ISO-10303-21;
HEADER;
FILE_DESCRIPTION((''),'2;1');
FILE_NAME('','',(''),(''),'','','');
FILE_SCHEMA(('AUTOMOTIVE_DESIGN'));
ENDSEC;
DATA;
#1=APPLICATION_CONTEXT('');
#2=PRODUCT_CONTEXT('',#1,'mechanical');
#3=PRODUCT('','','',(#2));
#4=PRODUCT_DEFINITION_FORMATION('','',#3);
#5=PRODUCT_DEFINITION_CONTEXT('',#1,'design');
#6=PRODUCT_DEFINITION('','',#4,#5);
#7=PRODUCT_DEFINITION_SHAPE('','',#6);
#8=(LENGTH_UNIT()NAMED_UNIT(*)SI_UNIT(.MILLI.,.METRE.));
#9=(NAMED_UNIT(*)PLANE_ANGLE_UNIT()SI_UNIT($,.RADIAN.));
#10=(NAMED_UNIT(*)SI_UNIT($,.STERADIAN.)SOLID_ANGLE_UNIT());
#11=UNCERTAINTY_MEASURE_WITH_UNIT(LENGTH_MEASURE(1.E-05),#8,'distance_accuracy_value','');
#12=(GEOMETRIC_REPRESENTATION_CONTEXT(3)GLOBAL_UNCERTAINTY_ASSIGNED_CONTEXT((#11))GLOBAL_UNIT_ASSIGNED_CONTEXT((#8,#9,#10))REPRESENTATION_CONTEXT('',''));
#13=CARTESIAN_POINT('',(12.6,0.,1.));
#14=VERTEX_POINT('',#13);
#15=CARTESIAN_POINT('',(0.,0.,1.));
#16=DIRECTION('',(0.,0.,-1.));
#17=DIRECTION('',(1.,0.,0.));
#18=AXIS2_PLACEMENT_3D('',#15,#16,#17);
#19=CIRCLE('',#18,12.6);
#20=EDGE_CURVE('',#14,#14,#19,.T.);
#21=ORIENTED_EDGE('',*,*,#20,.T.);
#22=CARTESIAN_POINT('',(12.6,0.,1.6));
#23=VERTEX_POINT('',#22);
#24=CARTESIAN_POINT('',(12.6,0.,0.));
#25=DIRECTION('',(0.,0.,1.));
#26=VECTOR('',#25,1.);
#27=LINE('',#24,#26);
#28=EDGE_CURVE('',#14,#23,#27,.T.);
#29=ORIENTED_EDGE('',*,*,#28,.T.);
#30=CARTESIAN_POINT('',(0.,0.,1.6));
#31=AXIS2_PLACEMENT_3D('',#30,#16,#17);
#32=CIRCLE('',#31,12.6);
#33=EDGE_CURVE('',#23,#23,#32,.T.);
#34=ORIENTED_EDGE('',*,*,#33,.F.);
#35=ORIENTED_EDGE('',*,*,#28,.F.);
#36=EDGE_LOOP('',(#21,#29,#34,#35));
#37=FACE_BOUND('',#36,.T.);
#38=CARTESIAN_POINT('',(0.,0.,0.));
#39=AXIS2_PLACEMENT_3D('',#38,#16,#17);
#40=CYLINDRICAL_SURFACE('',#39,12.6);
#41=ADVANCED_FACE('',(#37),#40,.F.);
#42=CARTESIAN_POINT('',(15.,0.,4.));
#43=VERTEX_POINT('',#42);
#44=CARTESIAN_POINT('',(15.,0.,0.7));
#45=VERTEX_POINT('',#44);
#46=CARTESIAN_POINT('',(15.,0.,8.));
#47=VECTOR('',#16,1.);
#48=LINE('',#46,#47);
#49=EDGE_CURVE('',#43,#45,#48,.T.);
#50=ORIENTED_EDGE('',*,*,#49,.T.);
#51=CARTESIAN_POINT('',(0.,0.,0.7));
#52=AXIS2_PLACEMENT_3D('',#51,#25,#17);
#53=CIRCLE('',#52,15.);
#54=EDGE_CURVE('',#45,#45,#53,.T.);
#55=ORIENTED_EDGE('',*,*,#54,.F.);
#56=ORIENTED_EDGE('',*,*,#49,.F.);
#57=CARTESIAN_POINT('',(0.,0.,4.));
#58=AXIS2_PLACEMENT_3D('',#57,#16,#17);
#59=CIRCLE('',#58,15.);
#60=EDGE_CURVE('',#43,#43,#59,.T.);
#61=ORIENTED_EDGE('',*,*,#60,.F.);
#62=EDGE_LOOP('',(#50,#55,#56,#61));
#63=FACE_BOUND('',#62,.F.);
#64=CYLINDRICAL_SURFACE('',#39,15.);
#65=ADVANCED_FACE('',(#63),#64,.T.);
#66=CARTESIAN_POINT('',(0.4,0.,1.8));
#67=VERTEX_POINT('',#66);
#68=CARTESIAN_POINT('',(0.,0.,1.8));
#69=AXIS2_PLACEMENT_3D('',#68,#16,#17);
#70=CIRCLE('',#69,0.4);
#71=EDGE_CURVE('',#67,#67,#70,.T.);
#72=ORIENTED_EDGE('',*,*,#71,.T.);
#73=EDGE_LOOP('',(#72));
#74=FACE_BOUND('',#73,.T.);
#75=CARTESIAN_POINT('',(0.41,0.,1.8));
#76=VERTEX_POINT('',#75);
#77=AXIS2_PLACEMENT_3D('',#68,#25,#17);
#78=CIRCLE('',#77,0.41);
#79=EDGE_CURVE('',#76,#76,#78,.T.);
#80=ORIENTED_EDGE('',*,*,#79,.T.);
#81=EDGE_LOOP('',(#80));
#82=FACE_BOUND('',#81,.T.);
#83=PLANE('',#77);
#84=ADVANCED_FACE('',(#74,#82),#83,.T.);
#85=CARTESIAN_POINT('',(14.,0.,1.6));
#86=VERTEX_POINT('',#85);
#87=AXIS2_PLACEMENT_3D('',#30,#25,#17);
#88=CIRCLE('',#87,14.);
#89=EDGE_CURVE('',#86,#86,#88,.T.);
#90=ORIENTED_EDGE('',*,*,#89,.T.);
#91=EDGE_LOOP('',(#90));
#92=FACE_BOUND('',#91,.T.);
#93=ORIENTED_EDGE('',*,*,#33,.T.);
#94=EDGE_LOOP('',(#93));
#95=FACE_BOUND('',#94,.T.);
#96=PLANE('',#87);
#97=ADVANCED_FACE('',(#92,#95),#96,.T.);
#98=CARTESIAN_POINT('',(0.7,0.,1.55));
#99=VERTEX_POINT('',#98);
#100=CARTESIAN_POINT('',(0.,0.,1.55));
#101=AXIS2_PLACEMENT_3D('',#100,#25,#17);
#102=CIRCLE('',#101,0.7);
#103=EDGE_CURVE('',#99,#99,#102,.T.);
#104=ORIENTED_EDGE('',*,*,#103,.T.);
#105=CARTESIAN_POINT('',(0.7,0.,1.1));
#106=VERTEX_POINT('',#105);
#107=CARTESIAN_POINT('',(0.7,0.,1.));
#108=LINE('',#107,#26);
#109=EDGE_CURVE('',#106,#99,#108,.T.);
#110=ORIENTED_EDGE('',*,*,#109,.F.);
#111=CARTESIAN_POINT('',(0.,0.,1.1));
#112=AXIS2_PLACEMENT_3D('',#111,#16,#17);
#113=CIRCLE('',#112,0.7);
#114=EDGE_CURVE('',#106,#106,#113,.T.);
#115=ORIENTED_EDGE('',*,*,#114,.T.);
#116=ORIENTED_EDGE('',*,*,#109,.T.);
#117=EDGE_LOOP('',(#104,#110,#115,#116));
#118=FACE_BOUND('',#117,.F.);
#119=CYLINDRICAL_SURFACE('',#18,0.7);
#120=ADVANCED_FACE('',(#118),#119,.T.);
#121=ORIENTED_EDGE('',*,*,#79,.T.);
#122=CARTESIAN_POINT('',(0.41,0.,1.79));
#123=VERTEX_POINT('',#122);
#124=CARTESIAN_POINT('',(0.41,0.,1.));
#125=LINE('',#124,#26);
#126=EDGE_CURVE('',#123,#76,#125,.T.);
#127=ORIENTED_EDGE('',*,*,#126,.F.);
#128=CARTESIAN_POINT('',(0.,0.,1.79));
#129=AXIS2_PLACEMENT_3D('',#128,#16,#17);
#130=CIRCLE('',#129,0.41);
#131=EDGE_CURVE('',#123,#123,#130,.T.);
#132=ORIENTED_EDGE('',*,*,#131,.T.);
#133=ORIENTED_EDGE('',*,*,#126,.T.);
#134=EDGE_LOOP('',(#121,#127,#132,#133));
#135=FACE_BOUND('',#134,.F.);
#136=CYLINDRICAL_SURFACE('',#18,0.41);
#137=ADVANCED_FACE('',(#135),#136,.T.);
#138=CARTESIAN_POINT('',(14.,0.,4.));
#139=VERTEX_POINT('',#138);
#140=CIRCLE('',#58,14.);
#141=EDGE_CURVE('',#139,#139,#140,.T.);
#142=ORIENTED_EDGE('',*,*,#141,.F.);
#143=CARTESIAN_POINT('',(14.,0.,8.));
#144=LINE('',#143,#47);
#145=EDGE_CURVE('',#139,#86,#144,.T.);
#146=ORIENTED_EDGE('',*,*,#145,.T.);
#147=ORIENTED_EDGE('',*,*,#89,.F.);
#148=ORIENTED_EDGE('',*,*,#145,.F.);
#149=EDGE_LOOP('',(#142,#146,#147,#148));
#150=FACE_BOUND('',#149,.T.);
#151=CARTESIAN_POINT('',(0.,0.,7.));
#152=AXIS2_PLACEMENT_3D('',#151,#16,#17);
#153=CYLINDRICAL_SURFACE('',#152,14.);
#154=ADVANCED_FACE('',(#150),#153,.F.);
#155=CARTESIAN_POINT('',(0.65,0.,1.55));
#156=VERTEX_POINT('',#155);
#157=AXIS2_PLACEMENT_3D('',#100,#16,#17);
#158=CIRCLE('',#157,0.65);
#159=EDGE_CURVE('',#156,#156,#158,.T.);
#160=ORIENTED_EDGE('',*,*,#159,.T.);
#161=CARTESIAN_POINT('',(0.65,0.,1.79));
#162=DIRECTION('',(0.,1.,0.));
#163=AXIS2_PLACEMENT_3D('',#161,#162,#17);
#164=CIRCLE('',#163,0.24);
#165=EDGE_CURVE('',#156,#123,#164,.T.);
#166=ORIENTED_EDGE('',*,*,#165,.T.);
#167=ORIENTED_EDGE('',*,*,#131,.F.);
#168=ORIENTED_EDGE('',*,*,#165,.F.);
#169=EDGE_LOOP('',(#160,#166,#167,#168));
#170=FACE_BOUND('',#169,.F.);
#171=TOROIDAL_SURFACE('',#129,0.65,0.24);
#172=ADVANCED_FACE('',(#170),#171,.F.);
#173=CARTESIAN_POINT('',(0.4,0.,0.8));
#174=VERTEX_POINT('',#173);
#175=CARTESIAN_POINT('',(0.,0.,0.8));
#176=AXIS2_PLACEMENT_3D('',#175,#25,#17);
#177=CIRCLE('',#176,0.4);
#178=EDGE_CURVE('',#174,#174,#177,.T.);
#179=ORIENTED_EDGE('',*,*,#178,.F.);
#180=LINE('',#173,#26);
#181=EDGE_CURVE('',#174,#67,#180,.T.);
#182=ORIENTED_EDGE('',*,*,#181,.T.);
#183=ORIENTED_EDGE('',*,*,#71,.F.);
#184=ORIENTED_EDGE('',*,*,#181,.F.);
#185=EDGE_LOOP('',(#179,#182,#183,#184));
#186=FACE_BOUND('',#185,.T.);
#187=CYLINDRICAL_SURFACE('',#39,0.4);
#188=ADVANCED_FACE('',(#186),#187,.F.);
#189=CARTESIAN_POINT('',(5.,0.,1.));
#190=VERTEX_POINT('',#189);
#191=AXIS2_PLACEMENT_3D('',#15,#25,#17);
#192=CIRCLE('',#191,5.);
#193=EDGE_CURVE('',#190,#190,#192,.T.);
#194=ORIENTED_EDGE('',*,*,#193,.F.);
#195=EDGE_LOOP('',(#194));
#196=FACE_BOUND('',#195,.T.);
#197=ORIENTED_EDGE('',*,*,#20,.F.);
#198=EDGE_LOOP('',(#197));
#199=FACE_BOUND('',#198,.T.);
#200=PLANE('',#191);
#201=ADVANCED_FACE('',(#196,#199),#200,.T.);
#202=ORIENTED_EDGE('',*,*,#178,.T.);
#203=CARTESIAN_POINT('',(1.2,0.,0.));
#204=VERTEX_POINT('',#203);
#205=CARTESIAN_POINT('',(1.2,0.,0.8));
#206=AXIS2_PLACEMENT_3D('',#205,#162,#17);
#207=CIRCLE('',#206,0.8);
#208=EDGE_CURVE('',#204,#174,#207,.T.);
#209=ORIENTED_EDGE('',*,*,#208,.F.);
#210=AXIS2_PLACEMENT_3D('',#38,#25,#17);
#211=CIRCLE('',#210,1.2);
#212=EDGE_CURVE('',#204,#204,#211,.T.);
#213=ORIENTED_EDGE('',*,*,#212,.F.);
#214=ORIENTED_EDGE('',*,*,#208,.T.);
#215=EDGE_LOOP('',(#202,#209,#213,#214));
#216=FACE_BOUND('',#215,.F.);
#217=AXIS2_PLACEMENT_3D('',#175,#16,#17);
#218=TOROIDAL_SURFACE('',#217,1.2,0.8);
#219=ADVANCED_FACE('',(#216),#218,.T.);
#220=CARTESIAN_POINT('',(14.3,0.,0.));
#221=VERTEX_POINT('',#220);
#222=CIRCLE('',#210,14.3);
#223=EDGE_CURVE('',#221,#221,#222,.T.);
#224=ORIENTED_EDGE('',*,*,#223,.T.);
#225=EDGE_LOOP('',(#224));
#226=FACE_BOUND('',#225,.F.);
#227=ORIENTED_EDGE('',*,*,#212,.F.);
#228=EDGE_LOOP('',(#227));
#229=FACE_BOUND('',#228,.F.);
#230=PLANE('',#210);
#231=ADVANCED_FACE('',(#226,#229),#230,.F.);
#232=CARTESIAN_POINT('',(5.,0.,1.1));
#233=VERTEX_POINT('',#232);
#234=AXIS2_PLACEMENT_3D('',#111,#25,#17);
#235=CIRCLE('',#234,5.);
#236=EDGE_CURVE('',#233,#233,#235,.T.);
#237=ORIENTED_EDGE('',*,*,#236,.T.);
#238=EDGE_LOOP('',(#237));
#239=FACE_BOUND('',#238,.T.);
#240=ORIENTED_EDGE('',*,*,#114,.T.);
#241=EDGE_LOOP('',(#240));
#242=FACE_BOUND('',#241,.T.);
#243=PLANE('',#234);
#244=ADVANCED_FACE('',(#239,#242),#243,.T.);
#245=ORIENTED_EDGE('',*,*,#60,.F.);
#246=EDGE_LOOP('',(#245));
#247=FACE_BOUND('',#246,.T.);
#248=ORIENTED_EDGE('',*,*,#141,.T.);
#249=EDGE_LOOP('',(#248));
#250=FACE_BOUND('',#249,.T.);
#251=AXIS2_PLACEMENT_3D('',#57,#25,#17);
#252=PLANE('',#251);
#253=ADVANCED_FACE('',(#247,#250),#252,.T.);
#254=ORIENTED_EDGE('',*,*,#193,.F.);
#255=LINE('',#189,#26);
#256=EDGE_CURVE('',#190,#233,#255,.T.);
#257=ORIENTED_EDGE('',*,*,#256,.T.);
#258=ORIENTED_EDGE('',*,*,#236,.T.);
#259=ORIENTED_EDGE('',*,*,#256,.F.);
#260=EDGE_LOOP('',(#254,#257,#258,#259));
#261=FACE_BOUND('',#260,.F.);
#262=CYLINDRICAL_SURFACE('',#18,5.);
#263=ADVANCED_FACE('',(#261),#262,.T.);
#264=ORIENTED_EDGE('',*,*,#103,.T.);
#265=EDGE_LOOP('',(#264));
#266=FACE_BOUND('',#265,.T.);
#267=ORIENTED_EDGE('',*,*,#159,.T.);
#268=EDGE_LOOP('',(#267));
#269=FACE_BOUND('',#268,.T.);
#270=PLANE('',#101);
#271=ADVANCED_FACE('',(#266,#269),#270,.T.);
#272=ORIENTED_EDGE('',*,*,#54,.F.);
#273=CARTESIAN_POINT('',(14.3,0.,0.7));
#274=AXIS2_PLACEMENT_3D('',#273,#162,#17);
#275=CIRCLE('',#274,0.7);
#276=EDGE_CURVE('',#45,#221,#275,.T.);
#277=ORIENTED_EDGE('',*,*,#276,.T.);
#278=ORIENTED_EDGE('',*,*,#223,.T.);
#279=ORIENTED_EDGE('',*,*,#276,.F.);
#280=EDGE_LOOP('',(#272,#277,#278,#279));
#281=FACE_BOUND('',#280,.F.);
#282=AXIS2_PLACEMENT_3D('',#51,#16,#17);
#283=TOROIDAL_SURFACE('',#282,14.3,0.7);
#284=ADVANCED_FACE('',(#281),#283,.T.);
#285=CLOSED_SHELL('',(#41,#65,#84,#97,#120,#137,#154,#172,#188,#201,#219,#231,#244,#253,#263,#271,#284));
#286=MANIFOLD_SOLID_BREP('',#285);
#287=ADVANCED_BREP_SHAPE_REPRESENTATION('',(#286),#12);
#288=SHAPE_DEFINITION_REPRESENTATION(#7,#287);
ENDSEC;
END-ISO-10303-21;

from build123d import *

# Parameters (mm, degrees)
CYLINDER008_R     = 16
CYLINDER008_DEPTH = 10
CYLINDER007_R     = 14
CYLINDER007_DEPTH = 6.4
CYLINDER006_R     = 14
CYLINDER006_DEPTH = 1
CYLINDER005_R     = 0.4
CYLINDER005_DEPTH = 1
CYLINDER001_R     = 12.6
CYLINDER001_DEPTH = 8
CYLINDER_R        = 15
CYLINDER_DEPTH    = 8
CYLINDER002_R     = 15
CYLINDER002_DEPTH = 1
FILLET_R          = 0.7
FILLET001_R       = 0.7
FILLET002_R       = 0.8
CYLINDER014_R     = 0.4
CYLINDER014_DEPTH = 2
CYLINDER012_R     = 0.41
CYLINDER012_DEPTH = 0.8
CYLINDER013_R     = 0.7
CYLINDER013_DEPTH = 0.55
FILLET003_R       = 0.24
CYLINDER015_R     = 5
CYLINDER015_DEPTH = 0.1


with BuildPart() as cylinder008:
    # Cylinder008 → Cylinder008 (new body)
    with BuildSketch(Plane.XY.offset(4)):
        Circle(CYLINDER008_R)
    extrude(amount=CYLINDER008_DEPTH)


with BuildPart() as cylinder007:
    # Cylinder007 → Cylinder007 (new body)
    with BuildSketch(Plane.XY.offset(1.6)):
        Circle(CYLINDER007_R)
    extrude(amount=CYLINDER007_DEPTH)


with BuildPart() as cylinder006:
    # Cylinder006 → Cylinder006 (new body)
    with BuildSketch(Plane.XY.offset(7)):
        Circle(CYLINDER006_R)
    extrude(amount=CYLINDER006_DEPTH)


with BuildPart() as cylinder005:
    # Cylinder005 → Cylinder005 (new body)
    with BuildSketch(Plane.XY):
        Circle(CYLINDER005_R)
    extrude(amount=CYLINDER005_DEPTH)


with BuildPart() as cylinder001:
    # Cylinder001 → Cylinder001 (new body)
    with BuildSketch(Plane.XY):
        Circle(CYLINDER001_R)
    extrude(amount=CYLINDER001_DEPTH)


with BuildPart() as cut:
    # Cylinder → Cylinder (new body)
    with BuildSketch(Plane.XY):
        Circle(CYLINDER_R)
    extrude(amount=CYLINDER_DEPTH)

    # Cut: cut Cylinder001
    add(cylinder001.part, mode=Mode.SUBTRACT)


with BuildPart() as cut007:
    # Cylinder002 → Cylinder002 (new body)
    with BuildSketch(Plane.XY):
        Circle(CYLINDER002_R)
    extrude(amount=CYLINDER002_DEPTH)

    # Fusion: union Cut
    add(cut.part)

    # Cut001: cut Cylinder005
    add(cylinder005.part, mode=Mode.SUBTRACT)

    # Cut003: cut Cylinder006
    add(cylinder006.part, mode=Mode.SUBTRACT)

    # Fillet
    fillet_edges = [cut007.edges().sort_by_distance(p)[0] for p in [
        (-15, 0, 8),
    ]]
    fillet(fillet_edges, radius=FILLET_R)

    # Fillet001
    fillet001_edges = [cut007.edges().sort_by_distance(p)[0] for p in [
        (-15, 0, 0),
    ]]
    fillet(fillet001_edges, radius=FILLET001_R)

    # Fillet002
    fillet002_edges = [cut007.edges().sort_by_distance(p)[0] for p in [
        (-0.4, 0, 0),
    ]]
    fillet(fillet002_edges, radius=FILLET002_R)

    # Cut004: cut Cylinder007
    add(cylinder007.part, mode=Mode.SUBTRACT)

    # Cut007: cut Cylinder008
    add(cylinder008.part, mode=Mode.SUBTRACT)


with BuildPart() as cylinder014:
    # Cylinder014 → Cylinder014 (new body)
    with BuildSketch(Plane.XY.offset(1)):
        Circle(CYLINDER014_R)
    extrude(amount=CYLINDER014_DEPTH)


with BuildPart() as cylinder012:
    # Cylinder012 → Cylinder012 (new body)
    with BuildSketch(Plane.XY.offset(1)):
        Circle(CYLINDER012_R)
    extrude(amount=CYLINDER012_DEPTH)


with BuildPart() as fillet003:
    # Cylinder013 → Cylinder013 (new body)
    with BuildSketch(Plane.XY.offset(1)):
        Circle(CYLINDER013_R)
    extrude(amount=CYLINDER013_DEPTH)

    # Fusion001: union Cylinder012
    add(cylinder012.part)

    # Fillet003
    fillet003_edges = [fillet003.edges().sort_by_distance(p)[0] for p in [
        (-0.41, 0, 1.55),
    ]]
    fillet(fillet003_edges, radius=FILLET003_R)


with BuildPart() as fusion003:
    # Cylinder015 → Cylinder015 (new body)
    with BuildSketch(Plane.XY.offset(1)):
        Circle(CYLINDER015_R)
    extrude(amount=CYLINDER015_DEPTH)

    # Fusion002: union Fillet003
    add(fillet003.part)

    # Cut006: cut Cylinder014
    add(cylinder014.part, mode=Mode.SUBTRACT)

    # Fusion003: union Cut007
    add(cut007.part)


solid = fusion003.part
